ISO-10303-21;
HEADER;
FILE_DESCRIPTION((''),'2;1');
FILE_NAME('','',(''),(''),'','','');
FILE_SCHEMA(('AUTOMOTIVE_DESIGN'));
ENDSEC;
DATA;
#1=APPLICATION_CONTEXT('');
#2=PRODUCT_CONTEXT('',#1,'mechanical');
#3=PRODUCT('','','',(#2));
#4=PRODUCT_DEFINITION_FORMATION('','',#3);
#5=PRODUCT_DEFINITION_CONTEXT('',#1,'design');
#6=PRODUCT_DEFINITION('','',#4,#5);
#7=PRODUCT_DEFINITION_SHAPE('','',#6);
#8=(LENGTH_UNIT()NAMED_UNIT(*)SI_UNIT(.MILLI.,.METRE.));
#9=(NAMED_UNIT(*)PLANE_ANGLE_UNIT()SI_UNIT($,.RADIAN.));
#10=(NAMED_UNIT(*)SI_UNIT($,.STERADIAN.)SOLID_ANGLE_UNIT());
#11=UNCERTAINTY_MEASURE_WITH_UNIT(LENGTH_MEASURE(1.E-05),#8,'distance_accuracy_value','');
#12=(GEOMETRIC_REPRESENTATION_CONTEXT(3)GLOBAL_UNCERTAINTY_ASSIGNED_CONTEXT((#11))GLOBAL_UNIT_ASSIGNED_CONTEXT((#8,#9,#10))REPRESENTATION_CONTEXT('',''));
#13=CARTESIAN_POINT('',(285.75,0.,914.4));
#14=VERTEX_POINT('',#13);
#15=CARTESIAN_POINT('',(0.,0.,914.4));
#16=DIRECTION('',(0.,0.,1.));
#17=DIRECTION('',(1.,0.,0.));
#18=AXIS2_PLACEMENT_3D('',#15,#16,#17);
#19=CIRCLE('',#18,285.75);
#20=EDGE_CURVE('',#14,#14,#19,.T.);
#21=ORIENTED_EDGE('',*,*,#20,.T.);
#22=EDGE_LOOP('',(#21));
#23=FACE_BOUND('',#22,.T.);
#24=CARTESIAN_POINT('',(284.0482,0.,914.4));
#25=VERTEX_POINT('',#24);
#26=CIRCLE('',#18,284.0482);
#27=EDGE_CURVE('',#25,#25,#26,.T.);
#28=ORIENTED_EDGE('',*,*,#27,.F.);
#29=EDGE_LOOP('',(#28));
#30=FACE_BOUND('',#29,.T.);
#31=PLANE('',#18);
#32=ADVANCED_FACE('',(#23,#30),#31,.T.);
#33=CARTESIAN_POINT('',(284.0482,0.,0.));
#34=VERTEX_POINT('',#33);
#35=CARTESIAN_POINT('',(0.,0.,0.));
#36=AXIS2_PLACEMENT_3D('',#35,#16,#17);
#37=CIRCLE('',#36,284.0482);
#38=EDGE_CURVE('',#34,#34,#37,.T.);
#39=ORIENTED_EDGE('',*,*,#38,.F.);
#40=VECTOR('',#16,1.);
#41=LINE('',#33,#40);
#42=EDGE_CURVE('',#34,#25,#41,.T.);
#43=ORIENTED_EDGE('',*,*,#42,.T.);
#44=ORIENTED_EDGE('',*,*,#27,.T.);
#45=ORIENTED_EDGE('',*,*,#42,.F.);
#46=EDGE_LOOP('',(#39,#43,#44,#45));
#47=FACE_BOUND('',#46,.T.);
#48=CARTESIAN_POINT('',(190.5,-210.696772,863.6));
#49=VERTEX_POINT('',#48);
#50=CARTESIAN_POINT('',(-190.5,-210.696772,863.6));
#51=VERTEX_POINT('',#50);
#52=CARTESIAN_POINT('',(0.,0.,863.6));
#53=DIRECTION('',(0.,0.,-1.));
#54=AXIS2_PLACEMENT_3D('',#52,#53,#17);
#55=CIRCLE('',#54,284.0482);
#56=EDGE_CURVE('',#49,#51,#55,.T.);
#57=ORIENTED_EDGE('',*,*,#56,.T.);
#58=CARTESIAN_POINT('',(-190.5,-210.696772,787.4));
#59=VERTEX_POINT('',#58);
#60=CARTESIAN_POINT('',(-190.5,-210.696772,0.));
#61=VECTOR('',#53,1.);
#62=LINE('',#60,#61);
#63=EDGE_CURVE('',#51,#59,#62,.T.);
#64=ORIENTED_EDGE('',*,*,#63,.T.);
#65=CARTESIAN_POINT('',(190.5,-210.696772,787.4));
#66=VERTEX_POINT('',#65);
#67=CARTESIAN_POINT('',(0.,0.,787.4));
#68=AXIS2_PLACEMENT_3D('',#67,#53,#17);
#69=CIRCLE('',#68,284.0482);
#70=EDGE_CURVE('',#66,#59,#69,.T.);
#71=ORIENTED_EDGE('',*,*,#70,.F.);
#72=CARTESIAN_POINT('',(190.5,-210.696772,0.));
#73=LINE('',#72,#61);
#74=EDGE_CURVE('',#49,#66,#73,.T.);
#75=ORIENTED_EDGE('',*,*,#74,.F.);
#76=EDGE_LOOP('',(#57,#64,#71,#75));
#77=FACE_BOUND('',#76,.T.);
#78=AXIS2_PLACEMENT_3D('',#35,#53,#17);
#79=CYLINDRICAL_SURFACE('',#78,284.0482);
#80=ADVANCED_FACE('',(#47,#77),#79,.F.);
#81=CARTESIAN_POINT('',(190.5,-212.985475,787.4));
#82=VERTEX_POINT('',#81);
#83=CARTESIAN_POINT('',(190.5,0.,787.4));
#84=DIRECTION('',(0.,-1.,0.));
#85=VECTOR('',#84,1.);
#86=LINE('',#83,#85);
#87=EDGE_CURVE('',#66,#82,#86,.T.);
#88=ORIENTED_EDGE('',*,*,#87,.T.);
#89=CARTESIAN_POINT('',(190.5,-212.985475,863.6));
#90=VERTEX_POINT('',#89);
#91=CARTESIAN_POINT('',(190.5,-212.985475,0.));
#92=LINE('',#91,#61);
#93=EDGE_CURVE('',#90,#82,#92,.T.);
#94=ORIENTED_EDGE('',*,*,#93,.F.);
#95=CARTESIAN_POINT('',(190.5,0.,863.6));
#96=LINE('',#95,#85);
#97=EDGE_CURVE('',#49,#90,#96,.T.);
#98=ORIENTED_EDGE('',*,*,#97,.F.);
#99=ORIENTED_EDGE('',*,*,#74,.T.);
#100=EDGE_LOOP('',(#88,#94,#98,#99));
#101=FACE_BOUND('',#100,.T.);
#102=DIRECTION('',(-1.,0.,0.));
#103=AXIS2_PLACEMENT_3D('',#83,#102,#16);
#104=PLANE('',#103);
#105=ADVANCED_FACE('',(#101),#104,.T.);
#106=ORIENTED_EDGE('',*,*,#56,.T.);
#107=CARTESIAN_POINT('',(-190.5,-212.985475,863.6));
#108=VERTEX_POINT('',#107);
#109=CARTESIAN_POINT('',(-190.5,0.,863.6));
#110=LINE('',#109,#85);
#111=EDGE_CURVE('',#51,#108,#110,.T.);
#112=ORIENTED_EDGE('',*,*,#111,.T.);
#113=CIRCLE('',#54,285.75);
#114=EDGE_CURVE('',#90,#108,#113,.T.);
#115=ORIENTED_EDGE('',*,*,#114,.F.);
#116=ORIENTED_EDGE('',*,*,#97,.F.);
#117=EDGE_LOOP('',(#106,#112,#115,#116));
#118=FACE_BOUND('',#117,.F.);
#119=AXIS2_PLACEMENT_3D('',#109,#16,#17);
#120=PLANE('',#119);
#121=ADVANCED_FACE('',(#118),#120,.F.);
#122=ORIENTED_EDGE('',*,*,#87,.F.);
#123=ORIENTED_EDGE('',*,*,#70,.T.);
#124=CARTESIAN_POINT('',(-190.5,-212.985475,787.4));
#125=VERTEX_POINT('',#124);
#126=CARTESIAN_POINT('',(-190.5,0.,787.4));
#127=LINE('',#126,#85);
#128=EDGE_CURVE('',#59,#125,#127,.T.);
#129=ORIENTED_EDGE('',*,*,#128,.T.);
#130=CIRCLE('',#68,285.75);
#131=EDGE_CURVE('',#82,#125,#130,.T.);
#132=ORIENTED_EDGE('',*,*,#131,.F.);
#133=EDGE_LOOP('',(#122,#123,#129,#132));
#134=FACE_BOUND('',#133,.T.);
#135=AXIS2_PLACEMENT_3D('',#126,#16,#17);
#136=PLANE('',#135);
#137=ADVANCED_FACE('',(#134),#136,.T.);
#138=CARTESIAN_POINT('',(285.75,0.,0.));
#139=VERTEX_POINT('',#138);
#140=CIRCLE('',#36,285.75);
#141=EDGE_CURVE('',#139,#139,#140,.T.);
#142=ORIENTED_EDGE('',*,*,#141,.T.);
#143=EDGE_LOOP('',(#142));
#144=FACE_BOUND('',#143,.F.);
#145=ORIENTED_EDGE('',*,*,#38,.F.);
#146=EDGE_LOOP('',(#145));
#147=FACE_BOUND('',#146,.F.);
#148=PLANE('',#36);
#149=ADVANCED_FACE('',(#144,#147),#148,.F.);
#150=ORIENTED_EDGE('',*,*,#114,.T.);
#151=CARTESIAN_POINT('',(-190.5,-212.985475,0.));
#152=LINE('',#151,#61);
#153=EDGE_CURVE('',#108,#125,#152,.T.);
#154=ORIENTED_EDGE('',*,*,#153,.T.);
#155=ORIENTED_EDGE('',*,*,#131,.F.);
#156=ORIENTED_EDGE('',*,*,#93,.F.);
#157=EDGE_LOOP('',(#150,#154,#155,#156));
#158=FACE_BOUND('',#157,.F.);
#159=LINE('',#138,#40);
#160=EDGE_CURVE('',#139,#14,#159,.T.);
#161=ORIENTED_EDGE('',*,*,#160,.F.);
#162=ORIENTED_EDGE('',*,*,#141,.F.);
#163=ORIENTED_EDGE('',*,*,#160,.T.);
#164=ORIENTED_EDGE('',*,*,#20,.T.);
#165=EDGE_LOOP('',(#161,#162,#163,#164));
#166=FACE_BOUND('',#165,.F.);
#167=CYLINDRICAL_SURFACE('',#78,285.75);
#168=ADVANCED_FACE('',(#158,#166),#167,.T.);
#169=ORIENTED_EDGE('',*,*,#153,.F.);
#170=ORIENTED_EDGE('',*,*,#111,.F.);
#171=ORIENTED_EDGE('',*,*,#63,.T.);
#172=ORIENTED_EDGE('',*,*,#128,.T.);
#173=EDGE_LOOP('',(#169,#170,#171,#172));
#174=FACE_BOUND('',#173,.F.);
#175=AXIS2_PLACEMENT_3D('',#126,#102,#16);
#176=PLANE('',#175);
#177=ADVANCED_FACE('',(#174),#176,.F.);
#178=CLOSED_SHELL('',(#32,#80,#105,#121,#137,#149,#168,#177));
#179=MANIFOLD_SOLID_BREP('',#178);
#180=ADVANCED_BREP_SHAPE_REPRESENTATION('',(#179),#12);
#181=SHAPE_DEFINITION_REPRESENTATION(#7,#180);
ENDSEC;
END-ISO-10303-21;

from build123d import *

# Parameters (mm, degrees)
F0_R     = 285.75
F0_R_2   = 284.0482
F1_DEPTH = 914.4
F2_W     = 381
F2_H     = 76.2
F3_DEPTH = 285.751


with BuildPart() as f1:
    # F0 (on Top) → F1 (new body)
    with BuildSketch(Plane.XY):
        Circle(F0_R)
        Circle(F0_R_2, mode=Mode.SUBTRACT)
    extrude(amount=F1_DEPTH)

    # F2 (on Front) → F3 (cut, through all)
    with BuildSketch(Plane.XZ):
        with Locations((0, 825.5)):
            Rectangle(F2_W, F2_H)
    extrude(amount=F3_DEPTH, mode=Mode.SUBTRACT)


solid = f1.part
